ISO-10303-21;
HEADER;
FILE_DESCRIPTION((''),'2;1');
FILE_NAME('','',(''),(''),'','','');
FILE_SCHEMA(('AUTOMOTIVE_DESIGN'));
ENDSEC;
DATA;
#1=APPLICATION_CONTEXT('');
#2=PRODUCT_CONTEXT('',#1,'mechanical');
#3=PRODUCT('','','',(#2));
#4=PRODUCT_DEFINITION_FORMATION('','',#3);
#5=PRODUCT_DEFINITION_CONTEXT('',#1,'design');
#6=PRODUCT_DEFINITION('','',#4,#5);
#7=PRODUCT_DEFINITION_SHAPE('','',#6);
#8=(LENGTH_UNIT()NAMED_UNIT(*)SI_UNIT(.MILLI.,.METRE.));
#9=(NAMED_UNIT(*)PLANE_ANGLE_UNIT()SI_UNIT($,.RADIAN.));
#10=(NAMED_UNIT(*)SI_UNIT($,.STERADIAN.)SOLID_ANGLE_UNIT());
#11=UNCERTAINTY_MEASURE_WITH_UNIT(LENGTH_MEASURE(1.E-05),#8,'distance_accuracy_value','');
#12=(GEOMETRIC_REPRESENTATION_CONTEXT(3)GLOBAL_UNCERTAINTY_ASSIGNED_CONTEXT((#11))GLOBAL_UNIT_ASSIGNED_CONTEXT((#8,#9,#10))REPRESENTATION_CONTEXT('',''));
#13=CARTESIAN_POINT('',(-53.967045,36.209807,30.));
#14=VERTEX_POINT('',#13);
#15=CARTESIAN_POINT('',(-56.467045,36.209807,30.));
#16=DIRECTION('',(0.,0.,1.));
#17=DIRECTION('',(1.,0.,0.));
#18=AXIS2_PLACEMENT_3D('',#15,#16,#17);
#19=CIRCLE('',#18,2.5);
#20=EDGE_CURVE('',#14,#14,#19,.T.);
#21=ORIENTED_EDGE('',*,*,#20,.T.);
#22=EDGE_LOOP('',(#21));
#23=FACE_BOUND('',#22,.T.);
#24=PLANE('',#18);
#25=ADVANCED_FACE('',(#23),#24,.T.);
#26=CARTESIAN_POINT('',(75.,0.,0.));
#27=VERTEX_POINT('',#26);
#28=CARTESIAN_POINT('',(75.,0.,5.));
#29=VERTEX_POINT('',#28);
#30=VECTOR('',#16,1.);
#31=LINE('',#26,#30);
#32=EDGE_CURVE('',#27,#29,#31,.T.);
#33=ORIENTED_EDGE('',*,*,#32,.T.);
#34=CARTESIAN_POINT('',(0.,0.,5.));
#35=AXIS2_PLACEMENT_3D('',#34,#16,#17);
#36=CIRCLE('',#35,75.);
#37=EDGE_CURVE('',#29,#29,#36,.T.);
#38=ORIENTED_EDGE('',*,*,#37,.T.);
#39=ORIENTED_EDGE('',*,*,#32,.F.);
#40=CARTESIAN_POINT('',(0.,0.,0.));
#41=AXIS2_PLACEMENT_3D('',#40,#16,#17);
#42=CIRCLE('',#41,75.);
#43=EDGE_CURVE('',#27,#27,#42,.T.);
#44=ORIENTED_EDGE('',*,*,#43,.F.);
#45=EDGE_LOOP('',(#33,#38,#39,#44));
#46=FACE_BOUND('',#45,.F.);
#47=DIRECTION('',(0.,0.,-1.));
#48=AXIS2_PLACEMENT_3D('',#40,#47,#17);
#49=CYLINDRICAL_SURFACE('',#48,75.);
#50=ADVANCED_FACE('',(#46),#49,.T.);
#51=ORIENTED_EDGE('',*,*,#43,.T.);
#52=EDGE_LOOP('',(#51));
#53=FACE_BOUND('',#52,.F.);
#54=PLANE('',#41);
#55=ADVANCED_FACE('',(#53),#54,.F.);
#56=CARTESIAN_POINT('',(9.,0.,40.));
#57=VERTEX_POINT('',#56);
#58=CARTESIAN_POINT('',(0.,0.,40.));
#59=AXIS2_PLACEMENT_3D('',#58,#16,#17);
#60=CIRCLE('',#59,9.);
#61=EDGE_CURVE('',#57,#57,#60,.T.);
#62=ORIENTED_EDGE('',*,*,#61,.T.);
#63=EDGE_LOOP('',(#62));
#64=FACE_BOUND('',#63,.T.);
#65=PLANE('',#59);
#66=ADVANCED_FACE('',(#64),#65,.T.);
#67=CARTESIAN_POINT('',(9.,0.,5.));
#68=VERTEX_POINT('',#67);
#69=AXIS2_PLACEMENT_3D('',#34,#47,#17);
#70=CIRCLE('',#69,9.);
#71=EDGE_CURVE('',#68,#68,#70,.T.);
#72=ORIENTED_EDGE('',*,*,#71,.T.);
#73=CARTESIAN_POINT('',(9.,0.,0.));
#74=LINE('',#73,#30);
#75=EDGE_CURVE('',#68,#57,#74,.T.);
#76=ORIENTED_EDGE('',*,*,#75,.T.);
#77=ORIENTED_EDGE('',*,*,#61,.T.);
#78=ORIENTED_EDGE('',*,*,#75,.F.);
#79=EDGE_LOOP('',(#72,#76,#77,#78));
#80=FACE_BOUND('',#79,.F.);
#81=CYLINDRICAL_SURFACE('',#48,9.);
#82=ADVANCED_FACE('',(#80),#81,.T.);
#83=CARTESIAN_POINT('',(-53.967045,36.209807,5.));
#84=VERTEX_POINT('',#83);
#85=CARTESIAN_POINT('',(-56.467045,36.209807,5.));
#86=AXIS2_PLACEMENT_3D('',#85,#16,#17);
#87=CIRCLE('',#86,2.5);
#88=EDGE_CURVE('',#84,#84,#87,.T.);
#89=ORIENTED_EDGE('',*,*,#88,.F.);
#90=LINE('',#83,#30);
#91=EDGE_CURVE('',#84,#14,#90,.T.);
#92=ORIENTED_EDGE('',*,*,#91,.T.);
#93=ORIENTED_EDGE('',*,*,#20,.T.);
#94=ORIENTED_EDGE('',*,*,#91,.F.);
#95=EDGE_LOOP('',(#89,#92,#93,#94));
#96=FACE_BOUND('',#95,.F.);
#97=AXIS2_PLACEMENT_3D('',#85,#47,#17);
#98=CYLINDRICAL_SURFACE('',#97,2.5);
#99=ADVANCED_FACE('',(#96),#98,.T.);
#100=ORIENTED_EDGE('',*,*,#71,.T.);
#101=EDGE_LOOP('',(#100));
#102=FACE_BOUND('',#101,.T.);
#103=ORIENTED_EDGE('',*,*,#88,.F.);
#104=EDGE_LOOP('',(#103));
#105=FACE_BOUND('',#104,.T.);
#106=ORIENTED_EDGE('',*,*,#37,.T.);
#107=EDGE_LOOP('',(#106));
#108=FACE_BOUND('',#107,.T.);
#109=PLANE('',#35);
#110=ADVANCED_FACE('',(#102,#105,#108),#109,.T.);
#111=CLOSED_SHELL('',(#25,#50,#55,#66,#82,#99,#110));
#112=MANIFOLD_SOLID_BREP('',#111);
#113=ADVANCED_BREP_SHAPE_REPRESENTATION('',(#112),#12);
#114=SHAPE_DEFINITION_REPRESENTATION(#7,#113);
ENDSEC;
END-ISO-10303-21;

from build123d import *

# Parameters (mm, degrees)
F0_R     = 9
F1_DEPTH = 40
F2_R     = 75
F3_DEPTH = 5
F4_R     = 2.5
F5_DEPTH = 25


with BuildPart() as f1:
    # F0 (on Top) → F1 (new body)
    with BuildSketch(Plane.XY):
        Circle(F0_R)
    extrude(amount=F1_DEPTH)

    # F2 (on Top) → F3 (join)
    with BuildSketch(Plane.XY):
        Circle(F2_R)
    extrude(amount=F3_DEPTH)

    # F4 (on face) → F5 (join)
    with BuildSketch(Plane.XY.offset(5)):
        with Locations((-56.467045, 36.209807)):
            Circle(F4_R)
    extrude(amount=F5_DEPTH)


solid = f1.part
